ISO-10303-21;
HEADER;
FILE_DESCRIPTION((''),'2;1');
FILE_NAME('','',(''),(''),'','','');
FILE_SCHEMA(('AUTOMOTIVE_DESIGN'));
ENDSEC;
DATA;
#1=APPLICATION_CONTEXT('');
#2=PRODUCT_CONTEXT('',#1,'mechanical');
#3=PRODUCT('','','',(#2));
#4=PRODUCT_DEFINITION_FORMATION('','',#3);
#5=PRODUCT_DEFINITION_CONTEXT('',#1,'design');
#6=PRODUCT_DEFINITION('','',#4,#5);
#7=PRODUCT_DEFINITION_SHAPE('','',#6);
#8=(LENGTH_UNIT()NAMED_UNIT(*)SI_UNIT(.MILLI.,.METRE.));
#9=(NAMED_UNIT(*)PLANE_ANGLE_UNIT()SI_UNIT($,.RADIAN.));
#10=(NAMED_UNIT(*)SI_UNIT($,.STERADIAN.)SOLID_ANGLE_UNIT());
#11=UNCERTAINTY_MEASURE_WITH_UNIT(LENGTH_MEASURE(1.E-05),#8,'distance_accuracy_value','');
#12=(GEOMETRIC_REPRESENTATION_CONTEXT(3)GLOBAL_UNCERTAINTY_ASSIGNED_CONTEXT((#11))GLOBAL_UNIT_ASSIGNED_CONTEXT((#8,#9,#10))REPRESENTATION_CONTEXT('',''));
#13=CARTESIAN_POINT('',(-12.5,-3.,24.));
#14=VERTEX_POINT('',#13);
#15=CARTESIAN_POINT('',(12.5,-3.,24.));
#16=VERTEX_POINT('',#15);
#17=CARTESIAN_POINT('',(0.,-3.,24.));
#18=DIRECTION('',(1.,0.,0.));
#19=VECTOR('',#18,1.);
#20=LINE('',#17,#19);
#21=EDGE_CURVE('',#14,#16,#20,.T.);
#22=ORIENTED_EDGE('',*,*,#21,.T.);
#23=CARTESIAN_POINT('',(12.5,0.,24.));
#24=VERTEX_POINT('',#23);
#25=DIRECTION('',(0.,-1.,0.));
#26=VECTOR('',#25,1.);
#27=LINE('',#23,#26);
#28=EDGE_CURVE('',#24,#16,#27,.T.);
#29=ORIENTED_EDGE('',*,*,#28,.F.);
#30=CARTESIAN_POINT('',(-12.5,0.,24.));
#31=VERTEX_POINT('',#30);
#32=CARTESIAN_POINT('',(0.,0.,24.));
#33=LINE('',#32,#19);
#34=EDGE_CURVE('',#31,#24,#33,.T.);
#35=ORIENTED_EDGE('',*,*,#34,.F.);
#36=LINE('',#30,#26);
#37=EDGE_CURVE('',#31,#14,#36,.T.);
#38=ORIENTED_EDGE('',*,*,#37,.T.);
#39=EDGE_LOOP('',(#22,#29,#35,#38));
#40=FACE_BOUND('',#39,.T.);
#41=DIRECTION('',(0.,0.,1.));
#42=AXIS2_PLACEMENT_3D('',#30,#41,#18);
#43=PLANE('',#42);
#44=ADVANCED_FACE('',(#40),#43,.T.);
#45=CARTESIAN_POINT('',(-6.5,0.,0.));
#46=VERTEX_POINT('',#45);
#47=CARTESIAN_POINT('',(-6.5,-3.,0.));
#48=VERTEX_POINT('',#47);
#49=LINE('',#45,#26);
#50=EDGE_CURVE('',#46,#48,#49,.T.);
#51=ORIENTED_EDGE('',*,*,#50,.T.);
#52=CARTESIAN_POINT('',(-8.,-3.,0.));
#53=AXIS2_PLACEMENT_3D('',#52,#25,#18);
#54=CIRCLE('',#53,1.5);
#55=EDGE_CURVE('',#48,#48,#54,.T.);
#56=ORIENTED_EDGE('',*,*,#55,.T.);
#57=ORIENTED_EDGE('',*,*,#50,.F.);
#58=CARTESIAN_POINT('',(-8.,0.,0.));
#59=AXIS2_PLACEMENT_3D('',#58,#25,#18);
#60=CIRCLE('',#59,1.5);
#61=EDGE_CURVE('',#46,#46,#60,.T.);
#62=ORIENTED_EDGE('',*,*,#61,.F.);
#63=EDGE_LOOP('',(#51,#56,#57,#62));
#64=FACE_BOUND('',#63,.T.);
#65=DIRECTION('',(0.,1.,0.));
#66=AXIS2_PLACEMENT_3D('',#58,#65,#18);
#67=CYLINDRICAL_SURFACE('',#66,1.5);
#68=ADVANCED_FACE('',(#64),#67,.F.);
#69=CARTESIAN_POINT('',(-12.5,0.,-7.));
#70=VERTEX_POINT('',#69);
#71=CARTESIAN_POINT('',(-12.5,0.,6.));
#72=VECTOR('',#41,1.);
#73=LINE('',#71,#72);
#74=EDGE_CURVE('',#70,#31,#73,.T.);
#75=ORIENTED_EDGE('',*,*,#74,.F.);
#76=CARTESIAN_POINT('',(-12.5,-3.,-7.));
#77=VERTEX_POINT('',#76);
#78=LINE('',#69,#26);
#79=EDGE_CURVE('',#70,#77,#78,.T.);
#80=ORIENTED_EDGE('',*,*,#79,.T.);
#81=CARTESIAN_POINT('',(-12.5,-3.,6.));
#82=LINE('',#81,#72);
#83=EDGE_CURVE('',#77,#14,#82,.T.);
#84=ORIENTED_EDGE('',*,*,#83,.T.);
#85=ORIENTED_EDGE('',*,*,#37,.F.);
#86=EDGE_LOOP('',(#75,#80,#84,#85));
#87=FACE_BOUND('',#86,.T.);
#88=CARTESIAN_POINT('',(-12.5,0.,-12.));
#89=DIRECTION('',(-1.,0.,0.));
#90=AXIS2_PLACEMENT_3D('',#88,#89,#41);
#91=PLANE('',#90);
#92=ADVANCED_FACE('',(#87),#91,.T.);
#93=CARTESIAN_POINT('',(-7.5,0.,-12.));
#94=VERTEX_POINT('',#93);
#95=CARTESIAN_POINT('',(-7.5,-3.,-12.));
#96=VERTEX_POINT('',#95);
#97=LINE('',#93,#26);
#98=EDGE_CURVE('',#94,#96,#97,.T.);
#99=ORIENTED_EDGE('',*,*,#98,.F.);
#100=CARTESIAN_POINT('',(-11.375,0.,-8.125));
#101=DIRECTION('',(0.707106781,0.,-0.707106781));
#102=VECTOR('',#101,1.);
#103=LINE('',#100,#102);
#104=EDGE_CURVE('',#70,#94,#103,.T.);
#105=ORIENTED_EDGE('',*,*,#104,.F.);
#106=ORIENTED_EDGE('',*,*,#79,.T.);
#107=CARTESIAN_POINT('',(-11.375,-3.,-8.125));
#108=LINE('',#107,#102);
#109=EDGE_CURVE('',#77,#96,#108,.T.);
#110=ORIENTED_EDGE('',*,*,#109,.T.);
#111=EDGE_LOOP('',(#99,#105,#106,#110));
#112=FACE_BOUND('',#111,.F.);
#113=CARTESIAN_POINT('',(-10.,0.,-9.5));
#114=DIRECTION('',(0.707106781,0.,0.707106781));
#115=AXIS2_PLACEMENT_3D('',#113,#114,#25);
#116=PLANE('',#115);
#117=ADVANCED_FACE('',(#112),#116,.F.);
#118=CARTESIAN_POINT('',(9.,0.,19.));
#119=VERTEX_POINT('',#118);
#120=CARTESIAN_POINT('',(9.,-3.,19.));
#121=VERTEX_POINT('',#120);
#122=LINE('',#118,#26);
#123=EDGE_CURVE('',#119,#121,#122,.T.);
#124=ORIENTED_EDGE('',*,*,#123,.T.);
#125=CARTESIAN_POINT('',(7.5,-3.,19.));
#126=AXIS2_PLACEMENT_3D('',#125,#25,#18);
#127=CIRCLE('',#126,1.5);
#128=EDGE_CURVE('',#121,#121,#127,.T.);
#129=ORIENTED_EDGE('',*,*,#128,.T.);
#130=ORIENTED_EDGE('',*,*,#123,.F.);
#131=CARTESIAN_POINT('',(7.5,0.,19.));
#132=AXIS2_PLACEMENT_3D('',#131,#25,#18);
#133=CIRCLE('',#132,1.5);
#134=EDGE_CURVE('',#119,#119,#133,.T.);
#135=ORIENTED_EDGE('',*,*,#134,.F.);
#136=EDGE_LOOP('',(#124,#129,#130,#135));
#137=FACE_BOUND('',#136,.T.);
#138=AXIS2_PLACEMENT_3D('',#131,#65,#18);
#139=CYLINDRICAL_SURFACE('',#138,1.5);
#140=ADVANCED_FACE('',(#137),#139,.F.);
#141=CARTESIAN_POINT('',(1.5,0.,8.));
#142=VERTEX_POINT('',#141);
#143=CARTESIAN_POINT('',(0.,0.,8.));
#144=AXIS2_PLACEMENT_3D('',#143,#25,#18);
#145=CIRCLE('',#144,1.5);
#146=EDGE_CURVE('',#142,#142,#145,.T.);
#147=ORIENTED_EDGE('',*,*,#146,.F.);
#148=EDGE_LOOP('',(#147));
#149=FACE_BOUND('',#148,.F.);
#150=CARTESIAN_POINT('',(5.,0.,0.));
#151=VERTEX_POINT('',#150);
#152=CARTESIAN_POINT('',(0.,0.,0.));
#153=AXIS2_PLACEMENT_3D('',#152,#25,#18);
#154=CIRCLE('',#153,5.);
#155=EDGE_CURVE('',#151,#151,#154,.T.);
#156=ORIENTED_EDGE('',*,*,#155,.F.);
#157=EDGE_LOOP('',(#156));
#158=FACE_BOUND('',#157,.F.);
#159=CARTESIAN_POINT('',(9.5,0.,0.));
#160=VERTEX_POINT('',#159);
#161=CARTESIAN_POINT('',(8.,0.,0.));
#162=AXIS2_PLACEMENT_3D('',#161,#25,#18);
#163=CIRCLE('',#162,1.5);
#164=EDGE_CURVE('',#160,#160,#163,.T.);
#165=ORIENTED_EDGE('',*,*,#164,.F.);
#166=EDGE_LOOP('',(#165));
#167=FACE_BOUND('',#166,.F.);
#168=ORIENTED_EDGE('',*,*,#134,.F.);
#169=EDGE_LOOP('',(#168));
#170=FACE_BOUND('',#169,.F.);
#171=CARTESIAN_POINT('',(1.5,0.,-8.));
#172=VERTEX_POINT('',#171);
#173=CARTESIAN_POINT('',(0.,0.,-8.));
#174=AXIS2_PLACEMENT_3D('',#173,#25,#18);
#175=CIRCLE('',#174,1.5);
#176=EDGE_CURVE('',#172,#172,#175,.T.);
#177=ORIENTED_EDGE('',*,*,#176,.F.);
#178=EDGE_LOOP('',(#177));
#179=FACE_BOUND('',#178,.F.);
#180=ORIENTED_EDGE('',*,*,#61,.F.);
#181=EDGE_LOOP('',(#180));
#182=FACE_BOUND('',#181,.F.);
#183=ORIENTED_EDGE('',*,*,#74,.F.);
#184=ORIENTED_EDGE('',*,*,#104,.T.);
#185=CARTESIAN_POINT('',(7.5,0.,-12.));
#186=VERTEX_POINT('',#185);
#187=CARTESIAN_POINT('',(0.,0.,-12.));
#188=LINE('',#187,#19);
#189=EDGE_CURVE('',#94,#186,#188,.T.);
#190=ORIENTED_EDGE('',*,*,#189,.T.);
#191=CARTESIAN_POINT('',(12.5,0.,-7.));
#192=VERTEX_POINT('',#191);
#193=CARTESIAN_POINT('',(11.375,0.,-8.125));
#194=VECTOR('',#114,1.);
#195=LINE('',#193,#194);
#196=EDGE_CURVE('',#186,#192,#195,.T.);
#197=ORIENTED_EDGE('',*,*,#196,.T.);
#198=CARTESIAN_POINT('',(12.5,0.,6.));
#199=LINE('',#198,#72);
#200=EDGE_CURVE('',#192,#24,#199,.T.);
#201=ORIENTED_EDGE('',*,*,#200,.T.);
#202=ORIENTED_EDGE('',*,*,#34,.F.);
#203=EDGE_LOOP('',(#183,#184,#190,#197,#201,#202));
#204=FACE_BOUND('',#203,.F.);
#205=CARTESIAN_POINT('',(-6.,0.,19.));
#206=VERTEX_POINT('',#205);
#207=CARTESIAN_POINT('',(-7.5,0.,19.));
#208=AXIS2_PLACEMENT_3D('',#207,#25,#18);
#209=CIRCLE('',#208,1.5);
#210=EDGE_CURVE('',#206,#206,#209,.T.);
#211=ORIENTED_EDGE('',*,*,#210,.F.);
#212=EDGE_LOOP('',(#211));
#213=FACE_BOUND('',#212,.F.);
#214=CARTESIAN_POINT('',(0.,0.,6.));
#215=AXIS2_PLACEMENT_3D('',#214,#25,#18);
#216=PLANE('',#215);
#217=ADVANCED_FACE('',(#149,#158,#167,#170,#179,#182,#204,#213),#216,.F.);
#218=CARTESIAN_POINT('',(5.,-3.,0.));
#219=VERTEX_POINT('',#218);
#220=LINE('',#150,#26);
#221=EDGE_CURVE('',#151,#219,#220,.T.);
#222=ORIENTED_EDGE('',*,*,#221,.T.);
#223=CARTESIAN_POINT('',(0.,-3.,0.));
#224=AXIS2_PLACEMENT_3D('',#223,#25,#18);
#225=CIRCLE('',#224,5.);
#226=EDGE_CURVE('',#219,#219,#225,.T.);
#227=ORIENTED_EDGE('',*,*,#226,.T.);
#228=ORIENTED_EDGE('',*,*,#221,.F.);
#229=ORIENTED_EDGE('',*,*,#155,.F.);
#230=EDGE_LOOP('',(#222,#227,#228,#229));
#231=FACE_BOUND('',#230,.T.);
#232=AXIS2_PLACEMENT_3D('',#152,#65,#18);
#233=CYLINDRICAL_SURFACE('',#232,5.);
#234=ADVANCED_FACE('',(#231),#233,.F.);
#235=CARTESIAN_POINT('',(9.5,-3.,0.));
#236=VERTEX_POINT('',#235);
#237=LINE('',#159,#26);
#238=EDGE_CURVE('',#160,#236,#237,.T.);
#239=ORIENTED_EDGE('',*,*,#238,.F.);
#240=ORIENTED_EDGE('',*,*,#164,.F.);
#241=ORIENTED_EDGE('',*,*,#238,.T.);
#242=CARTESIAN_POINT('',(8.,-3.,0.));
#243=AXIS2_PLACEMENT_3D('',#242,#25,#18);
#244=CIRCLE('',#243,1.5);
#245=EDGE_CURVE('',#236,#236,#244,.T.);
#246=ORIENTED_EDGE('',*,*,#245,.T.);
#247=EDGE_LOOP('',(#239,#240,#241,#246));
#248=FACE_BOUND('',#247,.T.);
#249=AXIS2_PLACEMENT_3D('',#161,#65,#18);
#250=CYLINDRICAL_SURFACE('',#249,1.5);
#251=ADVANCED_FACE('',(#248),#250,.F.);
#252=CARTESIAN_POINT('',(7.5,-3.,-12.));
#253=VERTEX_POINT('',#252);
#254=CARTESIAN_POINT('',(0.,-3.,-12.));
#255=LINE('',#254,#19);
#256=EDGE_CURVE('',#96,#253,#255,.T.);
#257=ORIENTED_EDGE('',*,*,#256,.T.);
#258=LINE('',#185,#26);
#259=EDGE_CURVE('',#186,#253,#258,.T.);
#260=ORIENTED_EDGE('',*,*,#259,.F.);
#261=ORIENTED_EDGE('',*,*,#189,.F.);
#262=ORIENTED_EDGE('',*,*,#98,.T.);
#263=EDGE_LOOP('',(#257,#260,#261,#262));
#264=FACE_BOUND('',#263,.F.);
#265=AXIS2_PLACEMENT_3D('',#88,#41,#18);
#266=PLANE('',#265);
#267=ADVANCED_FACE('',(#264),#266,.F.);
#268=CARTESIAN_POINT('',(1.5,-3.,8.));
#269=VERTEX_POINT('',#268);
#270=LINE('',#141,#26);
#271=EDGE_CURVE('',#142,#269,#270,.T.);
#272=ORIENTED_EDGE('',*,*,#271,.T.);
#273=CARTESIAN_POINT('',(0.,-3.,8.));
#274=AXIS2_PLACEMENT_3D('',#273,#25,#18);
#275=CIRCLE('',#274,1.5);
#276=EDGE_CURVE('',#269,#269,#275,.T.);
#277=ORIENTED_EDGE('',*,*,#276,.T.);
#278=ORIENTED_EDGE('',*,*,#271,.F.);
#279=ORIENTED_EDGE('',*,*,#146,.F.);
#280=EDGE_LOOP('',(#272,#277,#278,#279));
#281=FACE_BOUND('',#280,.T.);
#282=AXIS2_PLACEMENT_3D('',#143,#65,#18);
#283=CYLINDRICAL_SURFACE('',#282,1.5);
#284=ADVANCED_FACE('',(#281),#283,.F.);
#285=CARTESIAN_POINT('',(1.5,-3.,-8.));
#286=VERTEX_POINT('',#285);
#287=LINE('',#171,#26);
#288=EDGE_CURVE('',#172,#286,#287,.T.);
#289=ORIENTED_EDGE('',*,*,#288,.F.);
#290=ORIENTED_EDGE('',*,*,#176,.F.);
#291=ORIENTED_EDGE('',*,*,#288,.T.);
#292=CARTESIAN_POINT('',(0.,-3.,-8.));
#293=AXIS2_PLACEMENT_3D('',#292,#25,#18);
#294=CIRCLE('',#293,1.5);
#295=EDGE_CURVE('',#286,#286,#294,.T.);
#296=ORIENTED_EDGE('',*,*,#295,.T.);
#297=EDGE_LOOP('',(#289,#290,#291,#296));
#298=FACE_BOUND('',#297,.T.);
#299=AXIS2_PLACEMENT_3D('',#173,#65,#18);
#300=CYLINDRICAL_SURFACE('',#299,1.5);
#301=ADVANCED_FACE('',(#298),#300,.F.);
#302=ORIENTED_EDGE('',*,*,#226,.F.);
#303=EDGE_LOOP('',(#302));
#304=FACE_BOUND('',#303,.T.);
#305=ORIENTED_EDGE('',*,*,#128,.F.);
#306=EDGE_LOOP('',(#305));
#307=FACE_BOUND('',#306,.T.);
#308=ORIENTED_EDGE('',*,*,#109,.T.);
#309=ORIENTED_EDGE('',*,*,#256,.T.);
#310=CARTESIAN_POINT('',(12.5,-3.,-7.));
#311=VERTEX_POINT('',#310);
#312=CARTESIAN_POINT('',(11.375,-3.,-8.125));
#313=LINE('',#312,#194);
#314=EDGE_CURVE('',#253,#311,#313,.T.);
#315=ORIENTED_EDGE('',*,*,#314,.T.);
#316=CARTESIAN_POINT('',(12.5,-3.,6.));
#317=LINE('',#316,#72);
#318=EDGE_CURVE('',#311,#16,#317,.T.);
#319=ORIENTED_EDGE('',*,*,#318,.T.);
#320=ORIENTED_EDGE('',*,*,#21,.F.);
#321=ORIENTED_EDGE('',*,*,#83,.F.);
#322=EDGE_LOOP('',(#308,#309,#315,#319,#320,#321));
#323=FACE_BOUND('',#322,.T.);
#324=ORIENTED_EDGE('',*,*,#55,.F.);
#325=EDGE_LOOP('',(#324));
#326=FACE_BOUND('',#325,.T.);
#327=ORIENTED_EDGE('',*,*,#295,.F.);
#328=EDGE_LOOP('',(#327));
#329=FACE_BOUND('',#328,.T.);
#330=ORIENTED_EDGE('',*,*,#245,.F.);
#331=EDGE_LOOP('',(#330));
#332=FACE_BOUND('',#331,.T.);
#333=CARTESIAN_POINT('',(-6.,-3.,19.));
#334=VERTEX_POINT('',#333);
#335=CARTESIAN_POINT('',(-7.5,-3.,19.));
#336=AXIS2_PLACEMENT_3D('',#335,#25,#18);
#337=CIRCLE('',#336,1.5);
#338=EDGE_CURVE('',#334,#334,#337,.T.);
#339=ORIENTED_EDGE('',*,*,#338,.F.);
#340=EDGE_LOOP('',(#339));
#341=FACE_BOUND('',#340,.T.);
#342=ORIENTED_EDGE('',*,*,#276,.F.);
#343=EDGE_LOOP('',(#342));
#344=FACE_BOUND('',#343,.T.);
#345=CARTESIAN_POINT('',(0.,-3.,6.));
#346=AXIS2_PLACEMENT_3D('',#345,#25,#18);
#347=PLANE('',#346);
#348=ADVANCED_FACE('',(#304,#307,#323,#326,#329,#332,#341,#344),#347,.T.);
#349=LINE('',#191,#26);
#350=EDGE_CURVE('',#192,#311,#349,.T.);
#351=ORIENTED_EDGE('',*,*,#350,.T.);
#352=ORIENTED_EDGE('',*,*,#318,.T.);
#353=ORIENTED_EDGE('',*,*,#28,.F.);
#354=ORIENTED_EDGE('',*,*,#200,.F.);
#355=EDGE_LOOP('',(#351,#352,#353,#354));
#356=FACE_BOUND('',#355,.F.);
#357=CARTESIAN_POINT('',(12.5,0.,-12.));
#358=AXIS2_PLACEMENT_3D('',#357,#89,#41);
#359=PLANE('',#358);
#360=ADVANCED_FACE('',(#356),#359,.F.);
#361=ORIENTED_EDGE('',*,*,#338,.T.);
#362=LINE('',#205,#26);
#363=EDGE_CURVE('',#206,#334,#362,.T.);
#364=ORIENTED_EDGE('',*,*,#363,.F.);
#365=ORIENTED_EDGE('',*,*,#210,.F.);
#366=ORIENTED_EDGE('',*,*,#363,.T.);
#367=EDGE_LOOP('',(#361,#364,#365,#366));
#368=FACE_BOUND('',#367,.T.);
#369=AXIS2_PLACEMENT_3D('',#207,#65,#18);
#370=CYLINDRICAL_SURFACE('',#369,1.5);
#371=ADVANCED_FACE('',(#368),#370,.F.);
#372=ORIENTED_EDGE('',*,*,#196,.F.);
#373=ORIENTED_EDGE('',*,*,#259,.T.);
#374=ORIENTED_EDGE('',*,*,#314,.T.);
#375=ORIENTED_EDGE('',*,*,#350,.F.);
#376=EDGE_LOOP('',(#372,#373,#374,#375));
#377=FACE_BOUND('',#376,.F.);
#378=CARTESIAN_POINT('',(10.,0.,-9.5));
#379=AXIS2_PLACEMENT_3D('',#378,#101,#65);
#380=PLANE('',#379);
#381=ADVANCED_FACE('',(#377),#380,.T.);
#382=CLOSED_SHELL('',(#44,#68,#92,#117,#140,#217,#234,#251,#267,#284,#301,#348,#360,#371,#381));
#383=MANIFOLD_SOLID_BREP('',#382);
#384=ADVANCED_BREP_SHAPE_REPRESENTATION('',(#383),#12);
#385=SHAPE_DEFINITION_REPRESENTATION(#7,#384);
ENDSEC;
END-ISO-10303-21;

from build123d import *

# Parameters (mm, degrees)
F0_W     = 25
F0_H     = 36
F0_R     = 1.5
F0_R_2   = 5
F1_DEPTH = 3
F2_SIZE  = 5


with BuildPart() as f1:
    # F0 (on Front) → F1 (new body)
    with BuildSketch(Plane.XZ):
        with Locations((0, 6)):
            Rectangle(F0_W, F0_H)
        with Locations((-8, 0)):
            Circle(F0_R, mode=Mode.SUBTRACT)
        with Locations((0, -8)):
            Circle(F0_R, mode=Mode.SUBTRACT)
        Circle(F0_R_2, mode=Mode.SUBTRACT)
        with Locations((8, 0)):
            Circle(F0_R, mode=Mode.SUBTRACT)
        with Locations((-7.5, 19)):
            Circle(F0_R, mode=Mode.SUBTRACT)
        with Locations((0, 8)):
            Circle(F0_R, mode=Mode.SUBTRACT)
        with Locations((7.5, 19)):
            Circle(F0_R, mode=Mode.SUBTRACT)
    extrude(amount=F1_DEPTH)

    # F2
    f2_edges = [f1.edges().sort_by_distance(p)[0] for p in [
        (-12.5, -1.5, -12),
        (12.5, -1.5, -12),
    ]]
    chamfer(f2_edges, length=F2_SIZE)


solid = f1.part
